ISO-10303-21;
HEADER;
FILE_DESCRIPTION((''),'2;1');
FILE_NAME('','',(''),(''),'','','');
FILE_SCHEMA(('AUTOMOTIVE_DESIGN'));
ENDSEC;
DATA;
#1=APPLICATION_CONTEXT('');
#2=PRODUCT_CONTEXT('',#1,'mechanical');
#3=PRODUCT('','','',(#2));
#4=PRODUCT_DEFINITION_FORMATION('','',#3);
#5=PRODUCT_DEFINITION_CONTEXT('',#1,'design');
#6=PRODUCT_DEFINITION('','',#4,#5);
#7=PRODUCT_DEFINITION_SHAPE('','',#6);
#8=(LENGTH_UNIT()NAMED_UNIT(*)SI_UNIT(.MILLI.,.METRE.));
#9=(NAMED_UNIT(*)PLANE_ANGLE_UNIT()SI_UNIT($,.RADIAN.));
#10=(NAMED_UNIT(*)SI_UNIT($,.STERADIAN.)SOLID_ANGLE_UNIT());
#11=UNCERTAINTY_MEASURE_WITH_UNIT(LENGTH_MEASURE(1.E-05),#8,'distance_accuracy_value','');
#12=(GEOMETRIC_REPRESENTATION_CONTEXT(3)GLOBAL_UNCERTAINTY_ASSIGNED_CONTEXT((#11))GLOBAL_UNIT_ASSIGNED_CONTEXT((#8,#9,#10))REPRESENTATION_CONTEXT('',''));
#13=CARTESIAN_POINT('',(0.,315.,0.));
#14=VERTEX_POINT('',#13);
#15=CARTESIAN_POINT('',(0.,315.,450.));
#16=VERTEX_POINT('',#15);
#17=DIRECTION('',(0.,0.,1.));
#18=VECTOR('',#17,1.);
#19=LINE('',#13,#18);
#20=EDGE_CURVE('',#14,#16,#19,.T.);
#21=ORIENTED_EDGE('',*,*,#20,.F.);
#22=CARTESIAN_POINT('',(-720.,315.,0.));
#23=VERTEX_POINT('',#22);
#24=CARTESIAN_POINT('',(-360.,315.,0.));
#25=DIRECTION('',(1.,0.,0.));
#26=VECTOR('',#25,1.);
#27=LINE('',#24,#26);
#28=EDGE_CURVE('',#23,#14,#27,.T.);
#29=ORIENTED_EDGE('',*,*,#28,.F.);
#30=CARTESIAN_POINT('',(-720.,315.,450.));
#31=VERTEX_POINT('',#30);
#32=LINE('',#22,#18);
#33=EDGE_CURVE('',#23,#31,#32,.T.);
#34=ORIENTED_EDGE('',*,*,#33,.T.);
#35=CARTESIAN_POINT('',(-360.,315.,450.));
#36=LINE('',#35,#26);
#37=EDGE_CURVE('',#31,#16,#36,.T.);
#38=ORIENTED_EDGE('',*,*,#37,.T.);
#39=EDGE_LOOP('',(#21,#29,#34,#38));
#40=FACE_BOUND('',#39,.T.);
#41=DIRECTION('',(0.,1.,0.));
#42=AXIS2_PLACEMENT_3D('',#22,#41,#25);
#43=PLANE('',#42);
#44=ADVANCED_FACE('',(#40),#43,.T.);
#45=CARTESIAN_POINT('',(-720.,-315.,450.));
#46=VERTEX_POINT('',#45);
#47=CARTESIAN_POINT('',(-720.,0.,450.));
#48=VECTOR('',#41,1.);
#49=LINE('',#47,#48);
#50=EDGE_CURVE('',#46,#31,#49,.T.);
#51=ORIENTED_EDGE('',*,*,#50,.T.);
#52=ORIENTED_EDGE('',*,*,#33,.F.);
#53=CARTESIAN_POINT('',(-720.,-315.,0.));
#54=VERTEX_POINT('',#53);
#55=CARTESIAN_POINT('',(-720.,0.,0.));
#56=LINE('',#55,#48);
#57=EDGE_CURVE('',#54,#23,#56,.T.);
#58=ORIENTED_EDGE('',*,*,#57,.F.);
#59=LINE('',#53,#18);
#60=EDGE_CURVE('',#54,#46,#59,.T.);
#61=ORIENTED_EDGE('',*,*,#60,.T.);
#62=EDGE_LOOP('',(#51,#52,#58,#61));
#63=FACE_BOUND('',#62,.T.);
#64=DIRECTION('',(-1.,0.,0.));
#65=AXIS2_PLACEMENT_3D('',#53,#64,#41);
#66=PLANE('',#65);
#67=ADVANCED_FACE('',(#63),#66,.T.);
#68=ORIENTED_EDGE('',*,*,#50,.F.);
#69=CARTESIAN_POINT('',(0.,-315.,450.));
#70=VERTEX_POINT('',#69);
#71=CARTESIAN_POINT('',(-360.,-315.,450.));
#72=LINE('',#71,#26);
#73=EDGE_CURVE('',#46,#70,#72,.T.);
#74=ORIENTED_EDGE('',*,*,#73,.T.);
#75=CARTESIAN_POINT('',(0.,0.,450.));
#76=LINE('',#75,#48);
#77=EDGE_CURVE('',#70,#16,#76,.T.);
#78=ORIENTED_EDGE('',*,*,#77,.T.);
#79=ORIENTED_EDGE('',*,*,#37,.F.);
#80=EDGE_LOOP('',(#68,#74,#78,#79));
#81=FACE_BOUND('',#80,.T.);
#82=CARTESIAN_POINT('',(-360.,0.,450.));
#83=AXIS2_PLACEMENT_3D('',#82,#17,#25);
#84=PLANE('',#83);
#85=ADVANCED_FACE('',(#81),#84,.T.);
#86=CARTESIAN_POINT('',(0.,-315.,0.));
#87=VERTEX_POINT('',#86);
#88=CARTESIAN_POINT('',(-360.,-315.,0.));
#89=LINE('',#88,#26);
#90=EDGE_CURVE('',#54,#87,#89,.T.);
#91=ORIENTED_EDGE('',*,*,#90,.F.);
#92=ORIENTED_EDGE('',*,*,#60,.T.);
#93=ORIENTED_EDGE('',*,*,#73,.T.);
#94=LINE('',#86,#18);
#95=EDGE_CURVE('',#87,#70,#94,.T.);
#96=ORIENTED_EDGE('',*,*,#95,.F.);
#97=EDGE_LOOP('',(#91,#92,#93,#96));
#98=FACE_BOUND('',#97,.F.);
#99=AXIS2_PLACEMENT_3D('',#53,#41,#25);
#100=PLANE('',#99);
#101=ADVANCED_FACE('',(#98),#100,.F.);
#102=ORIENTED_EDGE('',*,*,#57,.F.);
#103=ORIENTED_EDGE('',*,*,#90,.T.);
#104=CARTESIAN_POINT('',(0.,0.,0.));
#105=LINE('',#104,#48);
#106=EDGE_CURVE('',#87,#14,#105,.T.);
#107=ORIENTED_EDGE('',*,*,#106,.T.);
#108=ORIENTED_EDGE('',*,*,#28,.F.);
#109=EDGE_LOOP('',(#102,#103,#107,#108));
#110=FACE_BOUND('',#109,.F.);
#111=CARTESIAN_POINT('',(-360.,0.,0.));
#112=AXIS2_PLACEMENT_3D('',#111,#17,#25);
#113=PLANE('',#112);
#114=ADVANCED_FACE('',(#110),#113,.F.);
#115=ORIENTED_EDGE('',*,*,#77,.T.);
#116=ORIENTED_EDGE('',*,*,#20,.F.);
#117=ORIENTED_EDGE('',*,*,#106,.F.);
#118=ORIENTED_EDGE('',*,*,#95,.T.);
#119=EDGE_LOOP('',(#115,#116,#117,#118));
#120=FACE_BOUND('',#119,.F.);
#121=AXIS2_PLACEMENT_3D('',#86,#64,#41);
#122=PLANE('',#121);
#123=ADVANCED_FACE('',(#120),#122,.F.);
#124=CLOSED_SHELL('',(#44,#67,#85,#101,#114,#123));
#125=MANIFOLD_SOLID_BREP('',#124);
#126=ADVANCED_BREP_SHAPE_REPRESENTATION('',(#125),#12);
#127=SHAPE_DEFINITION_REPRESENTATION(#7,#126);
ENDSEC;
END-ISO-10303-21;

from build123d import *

# Parameters (mm, degrees)
F3_W     = 720
F3_H     = 630
F4_DEPTH = 450


with BuildPart() as f4:
    # F3 (on Top) → F4 (new body, through all)
    with BuildSketch(Plane.XY):
        with Locations((-360, 0)):
            Rectangle(F3_W, F3_H)
    extrude(amount=F4_DEPTH)


solid = f4.part
